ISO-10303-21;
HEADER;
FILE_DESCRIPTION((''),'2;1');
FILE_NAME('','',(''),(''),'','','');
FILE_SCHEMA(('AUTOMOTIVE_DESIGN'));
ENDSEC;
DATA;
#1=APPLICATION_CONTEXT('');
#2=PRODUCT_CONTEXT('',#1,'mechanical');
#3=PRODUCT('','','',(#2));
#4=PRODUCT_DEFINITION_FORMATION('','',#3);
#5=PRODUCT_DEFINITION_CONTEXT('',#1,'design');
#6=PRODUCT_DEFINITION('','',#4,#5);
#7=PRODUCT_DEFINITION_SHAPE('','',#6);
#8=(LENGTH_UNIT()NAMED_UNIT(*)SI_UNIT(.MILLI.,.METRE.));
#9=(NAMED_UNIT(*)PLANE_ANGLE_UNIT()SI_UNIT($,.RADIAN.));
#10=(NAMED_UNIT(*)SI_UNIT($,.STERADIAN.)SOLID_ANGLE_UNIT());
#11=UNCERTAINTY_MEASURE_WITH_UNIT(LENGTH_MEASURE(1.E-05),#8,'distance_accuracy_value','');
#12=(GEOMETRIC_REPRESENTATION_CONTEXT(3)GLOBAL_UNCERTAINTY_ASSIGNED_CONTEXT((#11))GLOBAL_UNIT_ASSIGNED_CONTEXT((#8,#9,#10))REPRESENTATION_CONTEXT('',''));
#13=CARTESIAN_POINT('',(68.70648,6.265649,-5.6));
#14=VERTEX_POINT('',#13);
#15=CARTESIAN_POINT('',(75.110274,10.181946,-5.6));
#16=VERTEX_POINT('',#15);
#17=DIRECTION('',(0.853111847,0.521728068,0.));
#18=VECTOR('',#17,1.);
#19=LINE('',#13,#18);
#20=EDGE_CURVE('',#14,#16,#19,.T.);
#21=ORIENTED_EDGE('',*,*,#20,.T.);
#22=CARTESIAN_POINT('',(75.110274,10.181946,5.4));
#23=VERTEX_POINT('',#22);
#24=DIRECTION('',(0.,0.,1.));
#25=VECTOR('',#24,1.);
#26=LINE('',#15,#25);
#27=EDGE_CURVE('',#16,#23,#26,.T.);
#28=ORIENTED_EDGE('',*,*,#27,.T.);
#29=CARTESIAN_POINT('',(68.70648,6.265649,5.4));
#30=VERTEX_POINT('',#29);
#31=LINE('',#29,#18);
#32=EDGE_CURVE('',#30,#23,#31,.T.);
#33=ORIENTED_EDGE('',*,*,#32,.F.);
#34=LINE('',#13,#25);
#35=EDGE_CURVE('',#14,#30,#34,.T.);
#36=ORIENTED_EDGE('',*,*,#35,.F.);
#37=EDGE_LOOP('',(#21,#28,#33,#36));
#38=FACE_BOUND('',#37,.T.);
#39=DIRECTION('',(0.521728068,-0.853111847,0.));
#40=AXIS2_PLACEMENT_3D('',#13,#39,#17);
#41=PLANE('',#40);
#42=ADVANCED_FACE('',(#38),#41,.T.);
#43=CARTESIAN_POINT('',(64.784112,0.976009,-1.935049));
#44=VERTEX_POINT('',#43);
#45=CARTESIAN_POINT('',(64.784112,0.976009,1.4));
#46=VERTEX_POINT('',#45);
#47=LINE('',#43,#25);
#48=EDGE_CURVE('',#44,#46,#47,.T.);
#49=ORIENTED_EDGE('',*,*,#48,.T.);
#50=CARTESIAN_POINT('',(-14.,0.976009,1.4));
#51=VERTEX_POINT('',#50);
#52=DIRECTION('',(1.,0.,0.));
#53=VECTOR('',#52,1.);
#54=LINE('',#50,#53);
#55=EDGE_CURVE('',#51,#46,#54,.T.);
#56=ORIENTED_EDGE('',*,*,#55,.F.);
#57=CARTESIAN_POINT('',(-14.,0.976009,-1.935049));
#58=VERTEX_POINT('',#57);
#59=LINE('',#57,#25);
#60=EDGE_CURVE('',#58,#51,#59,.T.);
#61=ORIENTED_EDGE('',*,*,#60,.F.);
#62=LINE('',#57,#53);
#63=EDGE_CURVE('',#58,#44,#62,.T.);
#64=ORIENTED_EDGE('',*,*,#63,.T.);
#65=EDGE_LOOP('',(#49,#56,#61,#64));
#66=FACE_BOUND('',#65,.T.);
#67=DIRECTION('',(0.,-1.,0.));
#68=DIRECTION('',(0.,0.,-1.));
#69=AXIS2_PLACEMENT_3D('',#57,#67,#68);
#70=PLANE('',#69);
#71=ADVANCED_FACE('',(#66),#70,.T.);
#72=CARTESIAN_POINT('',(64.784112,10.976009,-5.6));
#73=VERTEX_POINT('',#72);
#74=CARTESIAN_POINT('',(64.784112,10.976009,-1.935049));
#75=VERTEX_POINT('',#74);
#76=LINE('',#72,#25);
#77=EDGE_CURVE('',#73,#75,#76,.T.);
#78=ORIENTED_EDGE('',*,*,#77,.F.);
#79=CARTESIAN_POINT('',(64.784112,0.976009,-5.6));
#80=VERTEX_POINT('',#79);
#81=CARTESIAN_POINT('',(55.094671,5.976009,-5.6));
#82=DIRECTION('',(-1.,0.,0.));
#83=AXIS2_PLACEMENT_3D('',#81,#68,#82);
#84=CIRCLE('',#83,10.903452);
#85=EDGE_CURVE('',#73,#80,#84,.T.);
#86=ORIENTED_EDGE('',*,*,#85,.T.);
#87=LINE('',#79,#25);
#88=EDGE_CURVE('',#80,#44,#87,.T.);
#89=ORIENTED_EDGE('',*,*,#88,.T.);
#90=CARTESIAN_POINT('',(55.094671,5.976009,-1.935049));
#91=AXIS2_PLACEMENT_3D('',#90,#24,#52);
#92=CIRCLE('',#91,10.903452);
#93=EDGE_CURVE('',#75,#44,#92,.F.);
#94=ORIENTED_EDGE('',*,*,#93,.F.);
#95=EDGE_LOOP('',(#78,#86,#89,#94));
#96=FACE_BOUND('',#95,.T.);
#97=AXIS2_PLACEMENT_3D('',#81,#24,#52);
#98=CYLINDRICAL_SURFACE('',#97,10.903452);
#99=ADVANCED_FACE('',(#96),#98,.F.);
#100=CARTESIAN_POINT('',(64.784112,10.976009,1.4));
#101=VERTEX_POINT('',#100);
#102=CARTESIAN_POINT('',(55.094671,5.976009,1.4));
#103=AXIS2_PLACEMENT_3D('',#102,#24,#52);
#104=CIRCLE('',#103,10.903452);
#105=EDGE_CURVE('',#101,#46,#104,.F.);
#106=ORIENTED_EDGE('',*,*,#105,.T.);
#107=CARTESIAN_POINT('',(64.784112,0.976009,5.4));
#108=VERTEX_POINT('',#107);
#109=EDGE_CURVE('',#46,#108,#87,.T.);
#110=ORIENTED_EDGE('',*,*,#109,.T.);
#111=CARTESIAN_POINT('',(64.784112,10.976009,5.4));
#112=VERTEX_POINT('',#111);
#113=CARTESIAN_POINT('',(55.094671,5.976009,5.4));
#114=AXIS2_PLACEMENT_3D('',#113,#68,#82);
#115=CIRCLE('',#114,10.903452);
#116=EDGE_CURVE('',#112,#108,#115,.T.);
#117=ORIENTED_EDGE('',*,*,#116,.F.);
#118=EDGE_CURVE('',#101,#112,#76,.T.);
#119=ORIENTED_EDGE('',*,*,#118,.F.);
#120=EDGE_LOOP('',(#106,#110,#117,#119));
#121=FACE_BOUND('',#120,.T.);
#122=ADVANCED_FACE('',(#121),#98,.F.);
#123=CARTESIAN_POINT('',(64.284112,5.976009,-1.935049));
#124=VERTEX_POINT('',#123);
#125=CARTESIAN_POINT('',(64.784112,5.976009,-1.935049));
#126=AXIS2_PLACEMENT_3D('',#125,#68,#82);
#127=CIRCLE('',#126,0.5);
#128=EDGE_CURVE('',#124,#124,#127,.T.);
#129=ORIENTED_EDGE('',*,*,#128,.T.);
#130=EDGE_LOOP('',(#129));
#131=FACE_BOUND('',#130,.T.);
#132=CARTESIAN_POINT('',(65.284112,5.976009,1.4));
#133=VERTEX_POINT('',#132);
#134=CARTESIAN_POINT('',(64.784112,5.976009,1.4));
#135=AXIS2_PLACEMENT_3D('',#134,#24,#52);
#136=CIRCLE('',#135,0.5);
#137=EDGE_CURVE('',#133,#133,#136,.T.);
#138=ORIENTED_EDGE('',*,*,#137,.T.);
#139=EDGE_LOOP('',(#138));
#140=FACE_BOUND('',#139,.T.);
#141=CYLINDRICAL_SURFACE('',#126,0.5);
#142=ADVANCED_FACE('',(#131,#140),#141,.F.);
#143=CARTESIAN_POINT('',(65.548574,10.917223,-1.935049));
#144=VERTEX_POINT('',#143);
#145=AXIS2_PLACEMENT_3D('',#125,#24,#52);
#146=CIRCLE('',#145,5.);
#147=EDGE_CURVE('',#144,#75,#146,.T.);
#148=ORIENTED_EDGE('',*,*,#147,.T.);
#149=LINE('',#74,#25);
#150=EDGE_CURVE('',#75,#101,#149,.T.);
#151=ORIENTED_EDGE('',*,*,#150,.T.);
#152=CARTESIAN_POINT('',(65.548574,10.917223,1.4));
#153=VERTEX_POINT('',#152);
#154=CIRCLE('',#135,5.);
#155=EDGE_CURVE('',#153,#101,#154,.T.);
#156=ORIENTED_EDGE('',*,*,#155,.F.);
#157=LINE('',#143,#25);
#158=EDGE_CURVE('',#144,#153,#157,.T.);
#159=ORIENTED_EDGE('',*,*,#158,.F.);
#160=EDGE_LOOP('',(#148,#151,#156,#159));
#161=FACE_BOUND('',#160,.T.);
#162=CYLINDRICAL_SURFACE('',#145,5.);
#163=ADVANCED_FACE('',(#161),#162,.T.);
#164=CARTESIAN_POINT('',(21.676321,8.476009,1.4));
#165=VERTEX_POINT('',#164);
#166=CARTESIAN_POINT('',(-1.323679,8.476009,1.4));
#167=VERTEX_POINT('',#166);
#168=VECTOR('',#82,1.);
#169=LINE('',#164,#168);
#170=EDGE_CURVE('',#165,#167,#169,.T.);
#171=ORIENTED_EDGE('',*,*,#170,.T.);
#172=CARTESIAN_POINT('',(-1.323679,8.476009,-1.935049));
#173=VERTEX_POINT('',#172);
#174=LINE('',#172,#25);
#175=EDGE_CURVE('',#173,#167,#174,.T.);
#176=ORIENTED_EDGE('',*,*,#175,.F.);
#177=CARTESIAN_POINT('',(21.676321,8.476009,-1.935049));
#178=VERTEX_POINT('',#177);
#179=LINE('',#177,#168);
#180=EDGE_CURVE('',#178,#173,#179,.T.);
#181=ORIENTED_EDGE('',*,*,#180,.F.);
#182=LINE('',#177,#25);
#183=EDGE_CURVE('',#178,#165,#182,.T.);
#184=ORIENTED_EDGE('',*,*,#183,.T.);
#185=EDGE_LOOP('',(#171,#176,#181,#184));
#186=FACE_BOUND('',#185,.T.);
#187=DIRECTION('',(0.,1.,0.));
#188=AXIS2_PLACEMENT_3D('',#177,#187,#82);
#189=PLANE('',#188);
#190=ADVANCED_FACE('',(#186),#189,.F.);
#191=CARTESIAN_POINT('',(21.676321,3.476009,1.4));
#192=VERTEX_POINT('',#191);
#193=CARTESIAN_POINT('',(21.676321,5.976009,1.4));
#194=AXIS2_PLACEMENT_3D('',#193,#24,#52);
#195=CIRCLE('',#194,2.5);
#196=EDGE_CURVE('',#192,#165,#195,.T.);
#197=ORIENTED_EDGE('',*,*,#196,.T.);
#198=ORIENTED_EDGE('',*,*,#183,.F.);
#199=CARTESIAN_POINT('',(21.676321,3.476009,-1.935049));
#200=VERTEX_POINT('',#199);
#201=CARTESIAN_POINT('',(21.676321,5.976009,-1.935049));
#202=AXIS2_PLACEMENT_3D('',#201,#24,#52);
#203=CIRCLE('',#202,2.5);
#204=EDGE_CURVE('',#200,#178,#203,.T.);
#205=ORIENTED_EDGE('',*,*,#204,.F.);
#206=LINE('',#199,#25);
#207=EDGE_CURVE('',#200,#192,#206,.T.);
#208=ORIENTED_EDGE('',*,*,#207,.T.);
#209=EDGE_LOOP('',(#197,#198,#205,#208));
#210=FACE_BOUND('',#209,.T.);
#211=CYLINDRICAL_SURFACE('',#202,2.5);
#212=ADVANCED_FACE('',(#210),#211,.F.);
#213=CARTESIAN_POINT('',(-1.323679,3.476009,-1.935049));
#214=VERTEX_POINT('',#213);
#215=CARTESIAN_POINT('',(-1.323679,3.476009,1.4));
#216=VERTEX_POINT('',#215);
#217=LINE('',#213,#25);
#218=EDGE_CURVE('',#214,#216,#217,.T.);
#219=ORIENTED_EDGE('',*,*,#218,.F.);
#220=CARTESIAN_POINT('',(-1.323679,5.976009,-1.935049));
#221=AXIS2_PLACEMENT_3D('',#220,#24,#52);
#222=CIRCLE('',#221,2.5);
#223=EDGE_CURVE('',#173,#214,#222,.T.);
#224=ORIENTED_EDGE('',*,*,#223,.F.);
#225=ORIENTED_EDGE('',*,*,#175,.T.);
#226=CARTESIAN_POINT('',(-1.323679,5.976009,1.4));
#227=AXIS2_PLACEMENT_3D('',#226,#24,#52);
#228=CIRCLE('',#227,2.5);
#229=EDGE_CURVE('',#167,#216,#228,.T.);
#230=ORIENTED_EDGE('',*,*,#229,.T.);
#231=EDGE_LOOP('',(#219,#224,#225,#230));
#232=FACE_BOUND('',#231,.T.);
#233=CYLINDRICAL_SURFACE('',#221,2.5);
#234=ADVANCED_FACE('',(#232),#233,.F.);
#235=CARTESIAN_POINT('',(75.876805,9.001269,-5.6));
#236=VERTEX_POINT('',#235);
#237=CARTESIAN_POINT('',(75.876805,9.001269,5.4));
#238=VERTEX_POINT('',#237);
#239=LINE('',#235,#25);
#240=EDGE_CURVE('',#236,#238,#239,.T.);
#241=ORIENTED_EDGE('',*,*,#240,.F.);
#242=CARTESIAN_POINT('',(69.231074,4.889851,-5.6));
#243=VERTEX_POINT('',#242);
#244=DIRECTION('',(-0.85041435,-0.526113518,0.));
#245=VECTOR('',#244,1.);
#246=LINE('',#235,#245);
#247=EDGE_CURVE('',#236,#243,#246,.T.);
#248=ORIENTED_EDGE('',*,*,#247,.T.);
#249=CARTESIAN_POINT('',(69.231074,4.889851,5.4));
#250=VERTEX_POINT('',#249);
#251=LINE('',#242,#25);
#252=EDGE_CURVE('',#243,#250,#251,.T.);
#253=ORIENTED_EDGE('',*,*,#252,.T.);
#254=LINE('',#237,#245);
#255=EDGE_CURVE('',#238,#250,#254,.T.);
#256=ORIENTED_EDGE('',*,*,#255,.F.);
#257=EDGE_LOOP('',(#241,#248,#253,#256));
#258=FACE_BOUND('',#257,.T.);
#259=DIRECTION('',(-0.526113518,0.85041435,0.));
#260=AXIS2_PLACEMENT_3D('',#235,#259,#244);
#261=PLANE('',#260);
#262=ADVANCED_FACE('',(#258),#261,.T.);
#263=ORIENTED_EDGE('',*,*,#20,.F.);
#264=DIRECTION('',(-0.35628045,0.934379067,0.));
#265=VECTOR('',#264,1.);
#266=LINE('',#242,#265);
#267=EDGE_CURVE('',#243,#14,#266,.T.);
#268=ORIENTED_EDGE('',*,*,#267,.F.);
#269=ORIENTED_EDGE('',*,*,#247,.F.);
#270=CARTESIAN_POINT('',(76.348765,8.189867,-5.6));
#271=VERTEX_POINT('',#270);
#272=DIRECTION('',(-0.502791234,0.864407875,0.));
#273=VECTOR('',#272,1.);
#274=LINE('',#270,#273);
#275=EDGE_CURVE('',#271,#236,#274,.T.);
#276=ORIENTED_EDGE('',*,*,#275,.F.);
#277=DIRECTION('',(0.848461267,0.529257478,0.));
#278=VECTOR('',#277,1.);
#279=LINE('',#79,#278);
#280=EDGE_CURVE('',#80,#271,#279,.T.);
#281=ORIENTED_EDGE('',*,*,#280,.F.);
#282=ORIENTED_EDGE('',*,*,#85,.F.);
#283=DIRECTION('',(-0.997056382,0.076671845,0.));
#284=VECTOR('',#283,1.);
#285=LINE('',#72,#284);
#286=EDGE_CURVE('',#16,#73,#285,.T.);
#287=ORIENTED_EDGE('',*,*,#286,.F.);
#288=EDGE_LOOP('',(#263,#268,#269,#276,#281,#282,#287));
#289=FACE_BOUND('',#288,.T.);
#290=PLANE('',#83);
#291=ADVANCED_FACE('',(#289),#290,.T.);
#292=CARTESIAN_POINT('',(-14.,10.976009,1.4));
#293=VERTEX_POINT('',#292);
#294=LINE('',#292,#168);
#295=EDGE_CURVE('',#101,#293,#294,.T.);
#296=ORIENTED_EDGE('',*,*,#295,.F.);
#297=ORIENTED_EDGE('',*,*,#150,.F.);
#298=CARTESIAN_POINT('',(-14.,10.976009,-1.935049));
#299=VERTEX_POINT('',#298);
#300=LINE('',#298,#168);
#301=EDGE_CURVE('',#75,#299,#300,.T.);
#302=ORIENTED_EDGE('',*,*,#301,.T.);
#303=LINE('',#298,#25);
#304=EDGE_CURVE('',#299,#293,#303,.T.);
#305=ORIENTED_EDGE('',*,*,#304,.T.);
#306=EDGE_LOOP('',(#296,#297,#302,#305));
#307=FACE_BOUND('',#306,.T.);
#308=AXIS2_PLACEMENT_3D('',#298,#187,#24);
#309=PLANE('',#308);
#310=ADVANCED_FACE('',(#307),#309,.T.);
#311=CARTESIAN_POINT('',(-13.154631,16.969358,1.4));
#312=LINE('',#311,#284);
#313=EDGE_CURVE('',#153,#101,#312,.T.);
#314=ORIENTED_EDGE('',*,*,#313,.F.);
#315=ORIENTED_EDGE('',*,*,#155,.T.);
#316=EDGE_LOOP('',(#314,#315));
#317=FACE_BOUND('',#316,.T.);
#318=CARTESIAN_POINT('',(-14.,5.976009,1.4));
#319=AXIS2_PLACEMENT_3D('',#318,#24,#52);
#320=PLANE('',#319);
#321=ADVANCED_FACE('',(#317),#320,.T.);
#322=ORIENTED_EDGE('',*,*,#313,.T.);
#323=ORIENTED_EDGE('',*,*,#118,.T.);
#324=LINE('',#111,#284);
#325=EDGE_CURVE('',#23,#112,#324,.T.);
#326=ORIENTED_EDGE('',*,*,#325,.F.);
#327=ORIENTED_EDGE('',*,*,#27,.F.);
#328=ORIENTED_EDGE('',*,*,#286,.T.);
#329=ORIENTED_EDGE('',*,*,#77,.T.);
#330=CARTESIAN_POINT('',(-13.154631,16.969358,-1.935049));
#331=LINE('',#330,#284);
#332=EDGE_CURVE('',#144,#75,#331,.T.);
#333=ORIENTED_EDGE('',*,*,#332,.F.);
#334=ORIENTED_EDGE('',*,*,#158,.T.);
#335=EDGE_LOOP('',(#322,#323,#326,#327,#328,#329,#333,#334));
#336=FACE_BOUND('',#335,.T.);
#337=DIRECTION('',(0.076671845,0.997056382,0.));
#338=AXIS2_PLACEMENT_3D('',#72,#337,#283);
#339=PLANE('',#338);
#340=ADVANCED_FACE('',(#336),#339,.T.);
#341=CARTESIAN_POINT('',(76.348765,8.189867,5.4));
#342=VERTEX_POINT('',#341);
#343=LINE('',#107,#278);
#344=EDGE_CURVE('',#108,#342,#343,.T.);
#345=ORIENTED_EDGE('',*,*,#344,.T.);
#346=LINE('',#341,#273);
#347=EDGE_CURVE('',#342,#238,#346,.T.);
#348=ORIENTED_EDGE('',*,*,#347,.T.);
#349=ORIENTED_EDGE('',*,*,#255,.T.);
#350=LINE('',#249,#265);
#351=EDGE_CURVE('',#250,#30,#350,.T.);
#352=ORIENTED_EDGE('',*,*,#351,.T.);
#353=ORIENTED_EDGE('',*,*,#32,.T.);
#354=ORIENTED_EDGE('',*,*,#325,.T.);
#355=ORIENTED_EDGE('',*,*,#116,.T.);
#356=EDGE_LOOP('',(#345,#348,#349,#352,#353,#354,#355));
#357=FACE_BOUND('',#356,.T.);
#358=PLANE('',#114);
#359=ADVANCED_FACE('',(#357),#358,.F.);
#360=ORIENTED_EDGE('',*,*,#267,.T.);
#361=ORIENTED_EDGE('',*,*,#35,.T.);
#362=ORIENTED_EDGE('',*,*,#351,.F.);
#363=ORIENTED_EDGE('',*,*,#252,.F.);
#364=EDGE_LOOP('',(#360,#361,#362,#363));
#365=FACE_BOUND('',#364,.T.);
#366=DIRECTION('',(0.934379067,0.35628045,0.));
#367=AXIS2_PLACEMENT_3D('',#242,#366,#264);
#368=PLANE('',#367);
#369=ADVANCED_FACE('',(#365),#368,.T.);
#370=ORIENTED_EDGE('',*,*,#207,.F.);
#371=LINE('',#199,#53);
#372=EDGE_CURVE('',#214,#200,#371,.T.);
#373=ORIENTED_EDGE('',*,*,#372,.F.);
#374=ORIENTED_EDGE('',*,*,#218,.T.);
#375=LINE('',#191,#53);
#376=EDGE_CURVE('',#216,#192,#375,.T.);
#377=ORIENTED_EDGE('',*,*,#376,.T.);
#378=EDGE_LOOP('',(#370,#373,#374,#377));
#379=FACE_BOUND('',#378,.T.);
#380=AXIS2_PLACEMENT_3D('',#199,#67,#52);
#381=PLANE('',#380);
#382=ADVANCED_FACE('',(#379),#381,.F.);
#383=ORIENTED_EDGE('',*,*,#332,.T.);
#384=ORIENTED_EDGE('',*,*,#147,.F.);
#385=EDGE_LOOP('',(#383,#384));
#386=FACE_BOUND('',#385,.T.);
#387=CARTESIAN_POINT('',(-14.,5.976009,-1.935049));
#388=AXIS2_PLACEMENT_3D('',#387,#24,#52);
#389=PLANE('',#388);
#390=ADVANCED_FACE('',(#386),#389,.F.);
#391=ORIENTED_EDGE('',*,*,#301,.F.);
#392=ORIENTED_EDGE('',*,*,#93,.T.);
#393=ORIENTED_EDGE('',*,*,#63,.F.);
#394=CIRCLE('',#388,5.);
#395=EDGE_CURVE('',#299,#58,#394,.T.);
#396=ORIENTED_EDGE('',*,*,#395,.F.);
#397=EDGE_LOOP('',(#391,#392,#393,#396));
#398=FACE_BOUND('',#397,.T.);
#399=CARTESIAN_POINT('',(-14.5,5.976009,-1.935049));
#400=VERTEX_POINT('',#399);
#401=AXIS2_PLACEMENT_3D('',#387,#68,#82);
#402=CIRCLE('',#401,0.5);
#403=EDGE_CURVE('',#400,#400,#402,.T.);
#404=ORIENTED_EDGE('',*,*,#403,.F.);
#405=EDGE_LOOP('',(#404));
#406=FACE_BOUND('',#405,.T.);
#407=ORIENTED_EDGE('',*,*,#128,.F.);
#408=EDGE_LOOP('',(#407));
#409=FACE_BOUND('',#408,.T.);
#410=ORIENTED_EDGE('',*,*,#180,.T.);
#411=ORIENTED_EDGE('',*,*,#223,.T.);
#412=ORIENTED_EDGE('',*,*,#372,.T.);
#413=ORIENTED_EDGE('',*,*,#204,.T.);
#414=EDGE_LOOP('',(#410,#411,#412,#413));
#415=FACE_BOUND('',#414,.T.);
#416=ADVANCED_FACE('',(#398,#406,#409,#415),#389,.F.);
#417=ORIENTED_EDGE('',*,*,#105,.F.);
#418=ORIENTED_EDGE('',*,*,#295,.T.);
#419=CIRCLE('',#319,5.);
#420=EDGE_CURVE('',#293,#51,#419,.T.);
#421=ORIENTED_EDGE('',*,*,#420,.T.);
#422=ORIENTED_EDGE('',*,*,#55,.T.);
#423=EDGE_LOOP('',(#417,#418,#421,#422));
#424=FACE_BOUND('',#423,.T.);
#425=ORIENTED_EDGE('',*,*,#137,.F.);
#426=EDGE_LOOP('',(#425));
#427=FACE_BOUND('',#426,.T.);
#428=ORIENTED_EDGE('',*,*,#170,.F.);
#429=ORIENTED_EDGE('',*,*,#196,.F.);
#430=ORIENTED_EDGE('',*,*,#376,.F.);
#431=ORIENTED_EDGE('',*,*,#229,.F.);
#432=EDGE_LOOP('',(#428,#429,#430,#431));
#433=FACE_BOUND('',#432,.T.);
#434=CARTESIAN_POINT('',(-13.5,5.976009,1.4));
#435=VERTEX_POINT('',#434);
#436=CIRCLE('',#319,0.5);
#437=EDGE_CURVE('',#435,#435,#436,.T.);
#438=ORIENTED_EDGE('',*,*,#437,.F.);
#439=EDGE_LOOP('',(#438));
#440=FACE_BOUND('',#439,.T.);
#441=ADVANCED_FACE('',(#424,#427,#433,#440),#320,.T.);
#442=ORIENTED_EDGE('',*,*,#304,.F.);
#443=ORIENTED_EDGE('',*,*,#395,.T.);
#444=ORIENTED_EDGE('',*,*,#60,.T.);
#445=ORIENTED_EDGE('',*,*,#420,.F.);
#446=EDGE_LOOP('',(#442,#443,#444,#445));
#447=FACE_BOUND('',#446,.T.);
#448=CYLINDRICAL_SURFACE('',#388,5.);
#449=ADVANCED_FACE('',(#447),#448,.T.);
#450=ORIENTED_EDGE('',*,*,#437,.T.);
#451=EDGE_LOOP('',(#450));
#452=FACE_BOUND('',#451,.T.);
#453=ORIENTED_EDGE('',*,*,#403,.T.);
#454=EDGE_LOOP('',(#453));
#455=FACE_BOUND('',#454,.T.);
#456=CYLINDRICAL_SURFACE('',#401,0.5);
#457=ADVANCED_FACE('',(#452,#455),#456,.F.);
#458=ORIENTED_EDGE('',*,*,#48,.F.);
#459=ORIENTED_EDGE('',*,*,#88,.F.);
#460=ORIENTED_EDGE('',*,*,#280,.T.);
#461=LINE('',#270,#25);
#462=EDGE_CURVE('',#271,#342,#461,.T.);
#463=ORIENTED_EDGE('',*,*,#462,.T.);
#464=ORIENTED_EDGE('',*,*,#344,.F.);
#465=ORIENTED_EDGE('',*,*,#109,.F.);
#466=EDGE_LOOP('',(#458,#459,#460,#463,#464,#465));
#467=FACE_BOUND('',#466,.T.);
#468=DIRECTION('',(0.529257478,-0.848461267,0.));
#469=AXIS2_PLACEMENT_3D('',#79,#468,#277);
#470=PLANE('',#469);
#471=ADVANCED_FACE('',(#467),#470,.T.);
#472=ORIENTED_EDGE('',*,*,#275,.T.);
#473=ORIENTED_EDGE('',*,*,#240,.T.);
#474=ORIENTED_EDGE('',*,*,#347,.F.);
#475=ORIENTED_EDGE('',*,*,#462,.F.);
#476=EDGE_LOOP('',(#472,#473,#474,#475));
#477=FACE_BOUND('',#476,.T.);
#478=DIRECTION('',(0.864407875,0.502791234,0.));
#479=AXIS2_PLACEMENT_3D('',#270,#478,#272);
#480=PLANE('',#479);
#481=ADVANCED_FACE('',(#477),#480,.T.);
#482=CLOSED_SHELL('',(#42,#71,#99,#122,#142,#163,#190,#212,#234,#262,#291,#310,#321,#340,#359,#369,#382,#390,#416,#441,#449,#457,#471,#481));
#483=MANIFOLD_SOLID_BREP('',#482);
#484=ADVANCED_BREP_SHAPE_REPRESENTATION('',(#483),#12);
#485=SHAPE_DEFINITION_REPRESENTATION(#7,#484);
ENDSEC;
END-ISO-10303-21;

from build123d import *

# Parameters (mm, degrees)
EXTRUDE_1_DEPTH      = 1.4
EXTRUDE_1_DEPTH_BACK = 1.935048816
MM_1_D               = 1
MM_1_DEPTH           = 3.69956969
MM_1_TIP             = 0.30043031
MM_2_D               = 1
MM_2_DEPTH           = 3.69956969
MM_2_TIP             = 0.30043031
EXTRUDE_4_DEPTH      = 4
EXTRUDE_4_DEPTH_BACK = 7
CUT_EXTRUDE_4_DEPTH  = 4


with BuildPart() as part:
    # 草图1 → 凸台-拉伸1 (new body, two sides)
    with BuildSketch(Plane.XY) as extrude_1_sk:
        with BuildLine():
            Line((-14, 10.976009084), (64.784112274, 10.976009084))
            ThreePointArc((64.784112274, 10.976009084), (69.784112274, 5.976009084), (64.784112274, 0.976009084))
            Line((64.784112274, 0.976009084), (-14, 0.976009084))
            ThreePointArc((-14, 0.976009084), (-19, 5.976009084), (-14, 10.976009084))
        make_face()
        with BuildLine():
            Line((21.676320512, 3.476009084), (-1.323679488, 3.476009084))
            ThreePointArc((-1.323679488, 3.476009084), (-3.823679488, 5.976009084), (-1.323679488, 8.476009084))
            Line((-1.323679488, 8.476009084), (21.676320512, 8.476009084))
            ThreePointArc((21.676320512, 8.476009084), (24.176320512, 5.976009084), (21.676320512, 3.476009084))
        make_face(mode=Mode.SUBTRACT)
    extrude(amount=EXTRUDE_1_DEPTH)
    extrude(extrude_1_sk.sketch, amount=-EXTRUDE_1_DEPTH_BACK)

    # 大小mm 暗销孔1
    with Locations(Plane(origin=(0, 0, -1.935048816), x_dir=(-1, 0, 0), z_dir=(0, 0, -1))):
        with Locations((14, 5.976009084)):
            Hole(MM_1_D / 2, depth=MM_1_DEPTH)
            with Locations((0, 0, -(MM_1_DEPTH + MM_1_TIP / 2))):  # 118° drill point
                Cone(0, MM_1_D / 2, MM_1_TIP, mode=Mode.SUBTRACT)

    # 大小mm 暗销孔2
    with Locations(Plane(origin=(0, 0, -1.935048816), x_dir=(-1, 0, 0), z_dir=(0, 0, -1))):
        with Locations((-64.784112274, 5.976009084)):
            Hole(MM_2_D / 2, depth=MM_2_DEPTH)
            with Locations((0, 0, -(MM_2_DEPTH + MM_2_TIP / 2))):  # 118° drill point
                Cone(0, MM_2_D / 2, MM_2_TIP, mode=Mode.SUBTRACT)

    # 草图11 → 凸台-拉伸4 (add, two sides)
    with BuildSketch(Plane.XY.offset(1.4)) as extrude_4_sk:
        with BuildLine():
            Line((64.784112274, 10.976009084), (75.11027427, 10.181945777))
            Line((75.11027427, 10.181945777), (68.706480161, 6.265649051))
            Line((68.706480161, 6.265649051), (69.231074418, 4.88985116))
            Line((69.231074418, 4.88985116), (75.876804715, 9.001268784))
            Line((75.876804715, 9.001268784), (76.348764637, 8.189866665))
            Line((76.348764637, 8.189866665), (64.784112274, 0.976009084))
            ThreePointArc((64.784112274, 0.976009084), (65.998123298, 5.976009084), (64.784112274, 10.976009084))
        make_face()
    extrude(amount=EXTRUDE_4_DEPTH)
    extrude(extrude_4_sk.sketch, amount=-EXTRUDE_4_DEPTH_BACK)

    # 草图12 → 切除-拉伸4 (cut)
    with BuildSketch(Plane.XY.offset(1.4)):
        Polygon((69.702654004, 6.874867944), (68.706480161, 6.265649051), (69.231074418, 4.88985116), (69.722566431, 5.193915399), (71.19681176, 6.105965386), align=None)
        Polygon((64.784112274, 0.976009084), (69.274656978, 3.777143865), (71.000307029, 3.200660754), (64.195477274, -1.252602435), align=None)
    extrude(amount=-CUT_EXTRUDE_4_DEPTH, mode=Mode.SUBTRACT)


solid = part.part
